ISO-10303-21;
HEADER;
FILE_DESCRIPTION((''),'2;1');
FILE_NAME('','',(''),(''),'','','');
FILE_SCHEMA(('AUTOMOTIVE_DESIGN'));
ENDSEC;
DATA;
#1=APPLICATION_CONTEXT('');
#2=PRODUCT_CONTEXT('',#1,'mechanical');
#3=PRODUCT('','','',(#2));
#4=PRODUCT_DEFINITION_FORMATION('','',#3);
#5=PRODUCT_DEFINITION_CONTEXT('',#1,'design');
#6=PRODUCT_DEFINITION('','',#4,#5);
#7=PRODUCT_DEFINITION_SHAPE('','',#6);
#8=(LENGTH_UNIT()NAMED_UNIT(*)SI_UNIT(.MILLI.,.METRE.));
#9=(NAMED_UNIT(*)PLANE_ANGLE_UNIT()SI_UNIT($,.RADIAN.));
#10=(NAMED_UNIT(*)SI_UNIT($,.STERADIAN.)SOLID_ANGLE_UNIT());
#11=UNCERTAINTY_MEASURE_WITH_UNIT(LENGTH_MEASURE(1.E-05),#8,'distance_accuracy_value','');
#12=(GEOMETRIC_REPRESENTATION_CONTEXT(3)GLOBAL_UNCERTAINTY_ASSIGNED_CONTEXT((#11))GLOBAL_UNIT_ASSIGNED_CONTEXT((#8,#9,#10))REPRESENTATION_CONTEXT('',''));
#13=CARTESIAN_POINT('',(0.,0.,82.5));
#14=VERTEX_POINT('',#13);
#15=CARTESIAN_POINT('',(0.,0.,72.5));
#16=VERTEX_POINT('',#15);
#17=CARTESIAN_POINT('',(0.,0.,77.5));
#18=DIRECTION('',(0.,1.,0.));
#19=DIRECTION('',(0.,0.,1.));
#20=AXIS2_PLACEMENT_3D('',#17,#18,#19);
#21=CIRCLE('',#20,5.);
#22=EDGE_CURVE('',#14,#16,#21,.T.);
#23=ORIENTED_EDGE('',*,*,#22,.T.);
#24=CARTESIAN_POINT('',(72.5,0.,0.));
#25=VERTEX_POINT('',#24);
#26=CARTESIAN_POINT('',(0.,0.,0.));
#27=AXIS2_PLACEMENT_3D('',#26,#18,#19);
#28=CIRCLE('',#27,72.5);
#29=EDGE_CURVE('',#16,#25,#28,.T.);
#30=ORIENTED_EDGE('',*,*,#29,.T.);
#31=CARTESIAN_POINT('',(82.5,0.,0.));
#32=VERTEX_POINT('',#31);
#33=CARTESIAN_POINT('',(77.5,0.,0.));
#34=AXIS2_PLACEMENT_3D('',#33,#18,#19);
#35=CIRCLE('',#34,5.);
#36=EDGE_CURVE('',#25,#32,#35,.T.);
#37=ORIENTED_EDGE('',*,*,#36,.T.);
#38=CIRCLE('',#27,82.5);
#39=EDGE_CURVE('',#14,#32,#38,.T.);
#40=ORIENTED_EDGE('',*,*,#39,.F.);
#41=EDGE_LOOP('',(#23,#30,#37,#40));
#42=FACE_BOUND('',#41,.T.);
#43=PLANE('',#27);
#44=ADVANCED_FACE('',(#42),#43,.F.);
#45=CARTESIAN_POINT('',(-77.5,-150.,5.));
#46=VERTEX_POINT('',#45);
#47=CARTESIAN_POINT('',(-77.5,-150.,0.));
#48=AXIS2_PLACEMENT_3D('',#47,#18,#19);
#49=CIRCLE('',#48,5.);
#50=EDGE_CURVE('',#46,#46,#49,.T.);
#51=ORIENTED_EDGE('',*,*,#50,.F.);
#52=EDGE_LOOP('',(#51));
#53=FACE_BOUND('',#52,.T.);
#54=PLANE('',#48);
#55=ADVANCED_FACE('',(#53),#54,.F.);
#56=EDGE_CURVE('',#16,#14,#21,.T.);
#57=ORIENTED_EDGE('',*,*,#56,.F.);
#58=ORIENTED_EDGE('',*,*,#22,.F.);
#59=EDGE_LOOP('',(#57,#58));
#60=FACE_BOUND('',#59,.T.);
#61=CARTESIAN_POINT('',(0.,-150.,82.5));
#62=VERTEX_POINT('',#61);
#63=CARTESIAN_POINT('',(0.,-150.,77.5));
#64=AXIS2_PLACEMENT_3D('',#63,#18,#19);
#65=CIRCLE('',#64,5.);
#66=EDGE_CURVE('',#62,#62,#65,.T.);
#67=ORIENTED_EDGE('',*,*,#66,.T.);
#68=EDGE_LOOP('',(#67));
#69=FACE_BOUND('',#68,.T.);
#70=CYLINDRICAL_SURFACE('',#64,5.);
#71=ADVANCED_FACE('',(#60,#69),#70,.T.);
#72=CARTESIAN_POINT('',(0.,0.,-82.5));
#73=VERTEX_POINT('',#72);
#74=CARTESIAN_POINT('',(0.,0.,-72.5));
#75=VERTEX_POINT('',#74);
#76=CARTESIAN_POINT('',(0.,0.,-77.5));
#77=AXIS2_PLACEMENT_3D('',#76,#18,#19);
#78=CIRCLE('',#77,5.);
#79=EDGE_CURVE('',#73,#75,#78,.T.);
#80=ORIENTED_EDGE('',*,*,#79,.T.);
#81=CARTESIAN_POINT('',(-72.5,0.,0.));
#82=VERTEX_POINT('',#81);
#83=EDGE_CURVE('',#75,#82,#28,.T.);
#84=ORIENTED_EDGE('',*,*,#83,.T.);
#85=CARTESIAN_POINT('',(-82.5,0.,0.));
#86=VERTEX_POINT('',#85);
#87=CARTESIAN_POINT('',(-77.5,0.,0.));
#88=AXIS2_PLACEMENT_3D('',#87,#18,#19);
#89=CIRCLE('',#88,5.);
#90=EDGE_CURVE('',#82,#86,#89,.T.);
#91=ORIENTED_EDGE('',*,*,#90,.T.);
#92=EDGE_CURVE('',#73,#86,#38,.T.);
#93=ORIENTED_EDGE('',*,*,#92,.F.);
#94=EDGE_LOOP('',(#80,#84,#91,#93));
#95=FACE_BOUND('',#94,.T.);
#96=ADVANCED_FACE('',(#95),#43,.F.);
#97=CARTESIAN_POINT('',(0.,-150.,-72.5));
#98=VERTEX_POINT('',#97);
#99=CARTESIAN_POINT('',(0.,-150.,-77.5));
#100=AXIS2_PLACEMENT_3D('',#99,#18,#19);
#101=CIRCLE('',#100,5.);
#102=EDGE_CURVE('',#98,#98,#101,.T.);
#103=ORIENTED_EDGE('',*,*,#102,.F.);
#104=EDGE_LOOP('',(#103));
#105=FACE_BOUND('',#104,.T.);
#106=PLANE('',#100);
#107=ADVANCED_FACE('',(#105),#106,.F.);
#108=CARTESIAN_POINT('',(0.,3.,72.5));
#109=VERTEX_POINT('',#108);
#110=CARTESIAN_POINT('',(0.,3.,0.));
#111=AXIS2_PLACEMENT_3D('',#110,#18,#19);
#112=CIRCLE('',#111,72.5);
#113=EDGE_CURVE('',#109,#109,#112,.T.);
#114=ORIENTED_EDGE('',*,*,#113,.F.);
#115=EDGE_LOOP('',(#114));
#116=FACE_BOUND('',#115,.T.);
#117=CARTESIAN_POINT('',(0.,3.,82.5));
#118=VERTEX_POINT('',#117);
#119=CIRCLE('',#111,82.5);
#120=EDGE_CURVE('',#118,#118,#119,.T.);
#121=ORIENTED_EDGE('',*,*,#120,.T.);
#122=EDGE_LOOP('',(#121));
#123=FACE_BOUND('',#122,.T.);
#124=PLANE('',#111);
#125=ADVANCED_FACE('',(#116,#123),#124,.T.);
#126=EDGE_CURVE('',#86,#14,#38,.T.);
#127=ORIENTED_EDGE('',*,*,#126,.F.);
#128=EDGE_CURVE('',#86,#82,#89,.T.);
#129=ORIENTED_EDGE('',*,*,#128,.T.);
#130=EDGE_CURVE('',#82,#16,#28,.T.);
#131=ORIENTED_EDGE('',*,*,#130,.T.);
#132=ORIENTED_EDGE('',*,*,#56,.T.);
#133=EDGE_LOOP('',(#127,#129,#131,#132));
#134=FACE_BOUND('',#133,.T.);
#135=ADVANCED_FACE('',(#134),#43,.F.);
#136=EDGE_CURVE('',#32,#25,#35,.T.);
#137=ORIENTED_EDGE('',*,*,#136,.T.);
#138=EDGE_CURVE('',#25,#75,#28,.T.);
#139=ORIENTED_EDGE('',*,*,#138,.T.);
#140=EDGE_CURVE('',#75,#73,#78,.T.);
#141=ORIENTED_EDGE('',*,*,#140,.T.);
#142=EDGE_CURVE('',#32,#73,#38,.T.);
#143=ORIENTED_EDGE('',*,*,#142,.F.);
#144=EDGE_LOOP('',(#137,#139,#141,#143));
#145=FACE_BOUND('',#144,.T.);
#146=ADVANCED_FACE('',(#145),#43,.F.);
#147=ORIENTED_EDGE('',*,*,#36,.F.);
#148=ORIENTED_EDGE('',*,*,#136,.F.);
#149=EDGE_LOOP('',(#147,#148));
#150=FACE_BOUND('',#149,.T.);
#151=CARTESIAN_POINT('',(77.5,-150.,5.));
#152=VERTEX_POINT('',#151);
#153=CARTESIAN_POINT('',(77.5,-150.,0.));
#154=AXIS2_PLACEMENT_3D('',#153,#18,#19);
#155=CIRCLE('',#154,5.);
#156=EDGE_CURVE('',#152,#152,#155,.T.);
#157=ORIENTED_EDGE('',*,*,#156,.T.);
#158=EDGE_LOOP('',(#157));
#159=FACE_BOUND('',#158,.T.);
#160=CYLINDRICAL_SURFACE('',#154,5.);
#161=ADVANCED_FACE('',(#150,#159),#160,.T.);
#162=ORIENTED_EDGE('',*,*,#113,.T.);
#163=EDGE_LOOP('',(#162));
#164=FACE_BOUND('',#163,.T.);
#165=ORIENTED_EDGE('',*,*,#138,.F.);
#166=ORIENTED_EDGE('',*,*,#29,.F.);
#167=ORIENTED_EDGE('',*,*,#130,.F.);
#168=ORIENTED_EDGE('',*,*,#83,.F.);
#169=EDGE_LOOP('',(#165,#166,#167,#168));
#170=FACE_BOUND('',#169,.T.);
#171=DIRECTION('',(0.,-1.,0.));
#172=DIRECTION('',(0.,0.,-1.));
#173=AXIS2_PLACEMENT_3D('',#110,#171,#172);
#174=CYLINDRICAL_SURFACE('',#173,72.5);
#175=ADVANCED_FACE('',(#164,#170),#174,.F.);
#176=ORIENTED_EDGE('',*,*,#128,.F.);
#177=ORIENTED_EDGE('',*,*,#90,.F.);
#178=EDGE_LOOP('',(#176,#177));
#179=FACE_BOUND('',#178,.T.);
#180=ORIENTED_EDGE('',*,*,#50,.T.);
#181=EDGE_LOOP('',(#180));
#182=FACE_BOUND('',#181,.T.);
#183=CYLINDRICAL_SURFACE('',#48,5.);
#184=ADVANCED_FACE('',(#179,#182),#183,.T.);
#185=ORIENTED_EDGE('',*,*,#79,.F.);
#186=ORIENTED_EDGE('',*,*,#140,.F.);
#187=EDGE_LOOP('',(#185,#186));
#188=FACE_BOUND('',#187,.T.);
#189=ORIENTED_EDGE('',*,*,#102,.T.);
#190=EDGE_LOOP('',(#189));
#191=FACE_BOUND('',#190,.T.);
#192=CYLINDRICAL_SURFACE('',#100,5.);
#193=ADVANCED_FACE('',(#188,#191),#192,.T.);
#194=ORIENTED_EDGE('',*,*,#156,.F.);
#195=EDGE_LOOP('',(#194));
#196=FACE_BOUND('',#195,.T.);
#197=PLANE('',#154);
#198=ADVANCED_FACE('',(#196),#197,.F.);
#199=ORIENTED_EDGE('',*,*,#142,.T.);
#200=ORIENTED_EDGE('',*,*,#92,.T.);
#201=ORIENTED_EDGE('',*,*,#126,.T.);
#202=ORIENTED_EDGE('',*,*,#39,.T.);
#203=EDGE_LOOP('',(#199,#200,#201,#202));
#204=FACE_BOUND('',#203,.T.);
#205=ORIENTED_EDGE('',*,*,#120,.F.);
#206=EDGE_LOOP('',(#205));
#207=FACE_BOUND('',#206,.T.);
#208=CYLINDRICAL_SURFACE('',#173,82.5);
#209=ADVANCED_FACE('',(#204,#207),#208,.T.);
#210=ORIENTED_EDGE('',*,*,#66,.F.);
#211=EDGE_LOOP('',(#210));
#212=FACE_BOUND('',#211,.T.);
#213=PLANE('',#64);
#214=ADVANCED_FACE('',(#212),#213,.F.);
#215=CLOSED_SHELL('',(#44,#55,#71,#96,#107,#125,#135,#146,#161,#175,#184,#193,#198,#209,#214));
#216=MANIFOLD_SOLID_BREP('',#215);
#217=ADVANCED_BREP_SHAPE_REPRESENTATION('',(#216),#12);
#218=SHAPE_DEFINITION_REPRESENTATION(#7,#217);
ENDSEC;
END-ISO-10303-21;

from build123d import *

# Parameters (mm, degrees)
SKETCH1_R           = 82.5
SKETCH1_R_2         = 72.5
BOSS_EXTRUDE1_DEPTH = 3
SKETCH2_R           = 5
BOSS_EXTRUDE2_DEPTH = 150


with BuildPart() as part:
    # Sketch1 → Boss-Extrude1 (new body)
    with BuildSketch(Plane(origin=(0, 0, 0), x_dir=(1, 0, 0), z_dir=(0, 1, 0))):
        Circle(SKETCH1_R)
        Circle(SKETCH1_R_2, mode=Mode.SUBTRACT)
    extrude(amount=BOSS_EXTRUDE1_DEPTH)

    # Sketch2 → Boss-Extrude2 (add)
    with BuildSketch(Plane(origin=(0, 0, 0), x_dir=(1, 0, 0), z_dir=(0, 1, 0))):
        with Locations((-77.5, 0)):
            Circle(SKETCH2_R)
        with Locations((0, -77.5)):
            Circle(SKETCH2_R)
        with Locations((77.5, 0)):
            Circle(SKETCH2_R)
        with Locations((0, 77.5)):
            Circle(SKETCH2_R)
    extrude(amount=-BOSS_EXTRUDE2_DEPTH)


solid = part.part
